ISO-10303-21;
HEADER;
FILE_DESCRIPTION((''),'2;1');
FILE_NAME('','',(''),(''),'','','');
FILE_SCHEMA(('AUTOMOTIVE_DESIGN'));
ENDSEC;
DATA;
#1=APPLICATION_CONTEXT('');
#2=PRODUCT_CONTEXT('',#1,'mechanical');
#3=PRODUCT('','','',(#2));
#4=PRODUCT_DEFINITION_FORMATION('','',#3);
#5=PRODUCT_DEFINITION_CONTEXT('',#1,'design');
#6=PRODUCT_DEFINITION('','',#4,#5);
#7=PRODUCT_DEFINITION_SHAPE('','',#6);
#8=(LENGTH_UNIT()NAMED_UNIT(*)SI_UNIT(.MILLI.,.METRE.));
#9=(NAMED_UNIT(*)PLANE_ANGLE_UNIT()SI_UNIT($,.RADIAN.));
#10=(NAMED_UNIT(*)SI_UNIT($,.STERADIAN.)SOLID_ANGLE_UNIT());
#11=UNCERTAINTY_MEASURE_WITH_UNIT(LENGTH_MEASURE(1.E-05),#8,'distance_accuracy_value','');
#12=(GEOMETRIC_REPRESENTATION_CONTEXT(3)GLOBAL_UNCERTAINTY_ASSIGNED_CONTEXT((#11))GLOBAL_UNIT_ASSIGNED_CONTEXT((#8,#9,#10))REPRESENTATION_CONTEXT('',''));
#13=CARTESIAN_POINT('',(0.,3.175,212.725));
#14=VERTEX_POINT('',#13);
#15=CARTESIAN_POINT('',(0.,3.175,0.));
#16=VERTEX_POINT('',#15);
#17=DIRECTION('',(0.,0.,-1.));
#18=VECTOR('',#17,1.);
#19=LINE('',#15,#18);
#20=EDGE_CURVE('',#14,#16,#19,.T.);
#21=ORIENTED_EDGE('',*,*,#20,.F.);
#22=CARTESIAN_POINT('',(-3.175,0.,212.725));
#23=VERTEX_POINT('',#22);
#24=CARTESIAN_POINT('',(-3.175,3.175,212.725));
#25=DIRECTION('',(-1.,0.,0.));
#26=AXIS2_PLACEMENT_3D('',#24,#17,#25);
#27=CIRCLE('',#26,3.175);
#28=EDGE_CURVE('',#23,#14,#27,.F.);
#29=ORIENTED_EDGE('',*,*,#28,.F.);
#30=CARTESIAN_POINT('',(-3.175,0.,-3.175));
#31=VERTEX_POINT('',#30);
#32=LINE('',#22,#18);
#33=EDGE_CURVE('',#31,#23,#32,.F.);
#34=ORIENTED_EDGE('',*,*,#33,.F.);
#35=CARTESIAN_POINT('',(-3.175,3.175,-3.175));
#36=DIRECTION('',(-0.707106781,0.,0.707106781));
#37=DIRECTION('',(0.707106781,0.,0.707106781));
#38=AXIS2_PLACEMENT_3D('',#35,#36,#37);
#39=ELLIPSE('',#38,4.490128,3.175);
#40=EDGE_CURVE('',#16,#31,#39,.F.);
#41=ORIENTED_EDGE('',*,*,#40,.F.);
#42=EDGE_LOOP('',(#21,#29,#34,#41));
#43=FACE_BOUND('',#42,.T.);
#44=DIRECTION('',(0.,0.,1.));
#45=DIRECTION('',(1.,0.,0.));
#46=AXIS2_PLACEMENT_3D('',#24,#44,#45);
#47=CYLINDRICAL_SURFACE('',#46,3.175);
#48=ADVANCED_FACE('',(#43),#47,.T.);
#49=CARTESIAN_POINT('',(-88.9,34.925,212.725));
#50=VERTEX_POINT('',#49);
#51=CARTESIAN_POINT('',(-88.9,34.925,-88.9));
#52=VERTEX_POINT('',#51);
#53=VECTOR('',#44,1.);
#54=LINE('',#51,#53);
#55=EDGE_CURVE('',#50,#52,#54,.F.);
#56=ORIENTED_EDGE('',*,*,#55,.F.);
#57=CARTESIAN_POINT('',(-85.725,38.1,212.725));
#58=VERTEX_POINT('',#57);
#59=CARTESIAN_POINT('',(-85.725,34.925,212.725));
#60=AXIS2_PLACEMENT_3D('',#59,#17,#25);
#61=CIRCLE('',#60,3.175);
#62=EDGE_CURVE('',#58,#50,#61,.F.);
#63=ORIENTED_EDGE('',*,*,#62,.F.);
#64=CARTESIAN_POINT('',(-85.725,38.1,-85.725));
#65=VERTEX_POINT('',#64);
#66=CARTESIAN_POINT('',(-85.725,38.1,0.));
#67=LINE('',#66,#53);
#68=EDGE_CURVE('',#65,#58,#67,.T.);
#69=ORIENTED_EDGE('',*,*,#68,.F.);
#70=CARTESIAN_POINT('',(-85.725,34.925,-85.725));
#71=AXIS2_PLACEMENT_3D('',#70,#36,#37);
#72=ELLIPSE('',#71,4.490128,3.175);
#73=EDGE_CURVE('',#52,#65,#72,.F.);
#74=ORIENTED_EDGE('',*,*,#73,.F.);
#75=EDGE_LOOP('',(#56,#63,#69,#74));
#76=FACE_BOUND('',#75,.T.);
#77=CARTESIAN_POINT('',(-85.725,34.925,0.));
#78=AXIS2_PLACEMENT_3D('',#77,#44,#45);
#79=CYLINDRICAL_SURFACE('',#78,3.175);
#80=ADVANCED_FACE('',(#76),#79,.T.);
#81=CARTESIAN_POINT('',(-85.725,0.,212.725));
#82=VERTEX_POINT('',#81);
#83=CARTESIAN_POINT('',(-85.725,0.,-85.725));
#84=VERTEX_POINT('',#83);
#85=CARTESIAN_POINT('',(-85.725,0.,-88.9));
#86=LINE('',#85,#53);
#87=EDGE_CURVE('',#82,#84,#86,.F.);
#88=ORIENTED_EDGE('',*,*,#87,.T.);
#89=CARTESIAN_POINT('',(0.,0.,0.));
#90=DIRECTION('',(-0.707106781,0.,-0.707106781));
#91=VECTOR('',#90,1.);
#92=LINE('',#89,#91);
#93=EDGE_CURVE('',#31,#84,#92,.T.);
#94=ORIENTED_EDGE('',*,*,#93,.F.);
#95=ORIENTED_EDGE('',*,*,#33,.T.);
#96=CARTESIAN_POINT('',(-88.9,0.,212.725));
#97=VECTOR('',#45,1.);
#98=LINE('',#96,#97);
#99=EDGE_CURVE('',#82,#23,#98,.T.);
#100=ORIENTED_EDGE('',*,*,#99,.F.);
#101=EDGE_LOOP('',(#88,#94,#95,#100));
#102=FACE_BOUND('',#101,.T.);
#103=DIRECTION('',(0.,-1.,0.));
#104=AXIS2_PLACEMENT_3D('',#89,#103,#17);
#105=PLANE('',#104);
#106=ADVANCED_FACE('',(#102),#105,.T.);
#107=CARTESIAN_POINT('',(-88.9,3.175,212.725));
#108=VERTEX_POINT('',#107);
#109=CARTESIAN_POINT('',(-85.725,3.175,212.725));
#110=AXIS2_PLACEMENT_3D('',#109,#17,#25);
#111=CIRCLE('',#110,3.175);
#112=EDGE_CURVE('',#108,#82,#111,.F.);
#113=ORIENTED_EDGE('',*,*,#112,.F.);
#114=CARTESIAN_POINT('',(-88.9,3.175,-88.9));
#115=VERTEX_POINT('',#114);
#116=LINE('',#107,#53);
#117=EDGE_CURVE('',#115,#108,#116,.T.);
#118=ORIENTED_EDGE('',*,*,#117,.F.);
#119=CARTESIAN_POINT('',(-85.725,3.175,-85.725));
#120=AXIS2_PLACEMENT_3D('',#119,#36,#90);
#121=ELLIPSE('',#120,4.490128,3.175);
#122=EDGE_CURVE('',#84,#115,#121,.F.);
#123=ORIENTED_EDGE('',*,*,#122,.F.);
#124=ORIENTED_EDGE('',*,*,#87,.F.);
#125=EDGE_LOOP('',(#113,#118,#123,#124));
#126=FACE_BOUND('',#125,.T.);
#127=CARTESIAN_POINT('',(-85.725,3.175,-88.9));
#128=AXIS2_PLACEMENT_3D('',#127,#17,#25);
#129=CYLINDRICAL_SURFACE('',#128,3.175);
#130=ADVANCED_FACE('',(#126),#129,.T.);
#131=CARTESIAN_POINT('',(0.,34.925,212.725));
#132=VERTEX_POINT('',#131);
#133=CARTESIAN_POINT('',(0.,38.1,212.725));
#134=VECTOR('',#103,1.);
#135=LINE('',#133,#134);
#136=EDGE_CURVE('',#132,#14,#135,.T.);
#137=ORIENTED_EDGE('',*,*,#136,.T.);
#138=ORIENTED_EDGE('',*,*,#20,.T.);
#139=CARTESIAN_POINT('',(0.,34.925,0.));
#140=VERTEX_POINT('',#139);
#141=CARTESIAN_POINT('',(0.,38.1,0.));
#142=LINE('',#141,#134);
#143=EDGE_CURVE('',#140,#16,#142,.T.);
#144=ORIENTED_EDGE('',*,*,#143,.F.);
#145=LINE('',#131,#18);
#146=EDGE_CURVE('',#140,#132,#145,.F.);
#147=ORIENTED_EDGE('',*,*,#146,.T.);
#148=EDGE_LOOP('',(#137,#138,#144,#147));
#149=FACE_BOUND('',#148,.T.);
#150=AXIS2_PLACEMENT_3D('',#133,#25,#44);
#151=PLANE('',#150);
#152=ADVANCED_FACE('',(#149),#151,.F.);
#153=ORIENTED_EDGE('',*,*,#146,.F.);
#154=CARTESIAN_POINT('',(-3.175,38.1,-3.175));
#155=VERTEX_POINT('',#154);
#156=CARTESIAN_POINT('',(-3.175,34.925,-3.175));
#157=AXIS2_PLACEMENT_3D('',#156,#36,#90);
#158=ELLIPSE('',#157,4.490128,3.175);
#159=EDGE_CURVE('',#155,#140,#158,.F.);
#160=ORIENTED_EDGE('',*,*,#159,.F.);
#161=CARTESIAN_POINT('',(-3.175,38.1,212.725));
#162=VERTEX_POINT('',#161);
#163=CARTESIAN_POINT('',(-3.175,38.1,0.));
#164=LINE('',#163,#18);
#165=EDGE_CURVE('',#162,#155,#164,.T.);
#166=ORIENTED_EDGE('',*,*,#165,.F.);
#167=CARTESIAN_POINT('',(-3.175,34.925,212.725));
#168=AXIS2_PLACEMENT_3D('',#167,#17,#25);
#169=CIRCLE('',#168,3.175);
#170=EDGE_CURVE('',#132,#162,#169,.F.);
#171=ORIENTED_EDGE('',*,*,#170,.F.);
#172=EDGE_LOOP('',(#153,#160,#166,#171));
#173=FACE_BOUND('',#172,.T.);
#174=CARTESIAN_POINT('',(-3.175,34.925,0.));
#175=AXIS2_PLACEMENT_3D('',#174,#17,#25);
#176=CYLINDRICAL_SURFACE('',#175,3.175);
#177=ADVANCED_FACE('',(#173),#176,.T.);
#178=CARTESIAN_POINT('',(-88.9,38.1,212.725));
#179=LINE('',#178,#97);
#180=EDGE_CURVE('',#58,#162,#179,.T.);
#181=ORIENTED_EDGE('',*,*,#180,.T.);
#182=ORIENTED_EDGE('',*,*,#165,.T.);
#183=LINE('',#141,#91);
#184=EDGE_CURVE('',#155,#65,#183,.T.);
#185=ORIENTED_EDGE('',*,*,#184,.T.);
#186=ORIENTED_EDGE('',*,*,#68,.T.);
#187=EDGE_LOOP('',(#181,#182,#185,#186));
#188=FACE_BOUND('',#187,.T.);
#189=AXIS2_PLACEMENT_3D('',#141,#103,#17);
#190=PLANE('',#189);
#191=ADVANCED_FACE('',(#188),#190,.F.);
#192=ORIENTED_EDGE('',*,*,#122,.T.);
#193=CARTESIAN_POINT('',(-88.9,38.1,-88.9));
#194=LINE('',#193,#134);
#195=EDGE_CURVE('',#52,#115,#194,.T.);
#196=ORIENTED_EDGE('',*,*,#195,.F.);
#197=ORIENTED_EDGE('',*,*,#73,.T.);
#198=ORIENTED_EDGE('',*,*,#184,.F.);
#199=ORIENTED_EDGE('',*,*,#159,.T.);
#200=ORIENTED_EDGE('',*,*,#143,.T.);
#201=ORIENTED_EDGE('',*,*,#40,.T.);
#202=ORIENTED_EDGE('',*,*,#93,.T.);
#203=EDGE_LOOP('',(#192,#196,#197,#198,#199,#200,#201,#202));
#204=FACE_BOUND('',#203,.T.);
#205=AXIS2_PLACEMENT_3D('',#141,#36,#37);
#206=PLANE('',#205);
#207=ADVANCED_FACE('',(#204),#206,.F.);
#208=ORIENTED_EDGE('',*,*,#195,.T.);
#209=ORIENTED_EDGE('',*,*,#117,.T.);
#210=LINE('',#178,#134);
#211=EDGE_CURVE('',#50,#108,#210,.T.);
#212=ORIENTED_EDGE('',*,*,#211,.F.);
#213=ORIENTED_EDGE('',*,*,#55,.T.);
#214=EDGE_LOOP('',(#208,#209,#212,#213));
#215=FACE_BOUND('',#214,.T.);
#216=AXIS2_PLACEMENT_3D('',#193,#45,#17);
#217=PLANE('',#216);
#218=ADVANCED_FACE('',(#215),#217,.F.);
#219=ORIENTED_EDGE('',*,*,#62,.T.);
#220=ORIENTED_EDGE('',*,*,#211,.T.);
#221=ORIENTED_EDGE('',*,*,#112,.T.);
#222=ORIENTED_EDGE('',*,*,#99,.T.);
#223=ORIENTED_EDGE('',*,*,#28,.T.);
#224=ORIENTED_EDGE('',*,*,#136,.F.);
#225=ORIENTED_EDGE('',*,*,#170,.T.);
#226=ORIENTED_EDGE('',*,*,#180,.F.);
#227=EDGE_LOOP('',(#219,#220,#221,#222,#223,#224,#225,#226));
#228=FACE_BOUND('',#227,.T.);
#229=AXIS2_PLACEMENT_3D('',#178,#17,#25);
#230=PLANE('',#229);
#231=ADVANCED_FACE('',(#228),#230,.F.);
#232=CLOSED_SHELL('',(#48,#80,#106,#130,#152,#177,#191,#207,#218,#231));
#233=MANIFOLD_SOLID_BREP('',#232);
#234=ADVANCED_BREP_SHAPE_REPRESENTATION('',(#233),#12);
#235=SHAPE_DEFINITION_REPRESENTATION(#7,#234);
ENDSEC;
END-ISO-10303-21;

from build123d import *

# Parameters (mm, degrees)
BOSS_EXTRUDE1_DEPTH = 38.1
FILLET1_R           = 3.175


with BuildPart() as part:
    # Sketch1 → Boss-Extrude1 (new body)
    with BuildSketch(Plane(origin=(0, 0, 0), x_dir=(1, 0, 0), z_dir=(0, 1, 0))):
        Polygon((0, 0), (-88.9, 88.9), (-88.9, -212.725), (0, -212.725), align=None)
    extrude(amount=BOSS_EXTRUDE1_DEPTH)

    # Fillet1
    fillet1_edges = [part.edges().sort_by_distance(p)[0] for p in [
        (-88.9, 38.1, 61.9125),
        (0, 38.1, 106.3625),
        (-88.9, 0, 61.9125),
        (0, 0, 106.3625),
    ]]
    fillet(fillet1_edges, radius=FILLET1_R)


solid = part.part
